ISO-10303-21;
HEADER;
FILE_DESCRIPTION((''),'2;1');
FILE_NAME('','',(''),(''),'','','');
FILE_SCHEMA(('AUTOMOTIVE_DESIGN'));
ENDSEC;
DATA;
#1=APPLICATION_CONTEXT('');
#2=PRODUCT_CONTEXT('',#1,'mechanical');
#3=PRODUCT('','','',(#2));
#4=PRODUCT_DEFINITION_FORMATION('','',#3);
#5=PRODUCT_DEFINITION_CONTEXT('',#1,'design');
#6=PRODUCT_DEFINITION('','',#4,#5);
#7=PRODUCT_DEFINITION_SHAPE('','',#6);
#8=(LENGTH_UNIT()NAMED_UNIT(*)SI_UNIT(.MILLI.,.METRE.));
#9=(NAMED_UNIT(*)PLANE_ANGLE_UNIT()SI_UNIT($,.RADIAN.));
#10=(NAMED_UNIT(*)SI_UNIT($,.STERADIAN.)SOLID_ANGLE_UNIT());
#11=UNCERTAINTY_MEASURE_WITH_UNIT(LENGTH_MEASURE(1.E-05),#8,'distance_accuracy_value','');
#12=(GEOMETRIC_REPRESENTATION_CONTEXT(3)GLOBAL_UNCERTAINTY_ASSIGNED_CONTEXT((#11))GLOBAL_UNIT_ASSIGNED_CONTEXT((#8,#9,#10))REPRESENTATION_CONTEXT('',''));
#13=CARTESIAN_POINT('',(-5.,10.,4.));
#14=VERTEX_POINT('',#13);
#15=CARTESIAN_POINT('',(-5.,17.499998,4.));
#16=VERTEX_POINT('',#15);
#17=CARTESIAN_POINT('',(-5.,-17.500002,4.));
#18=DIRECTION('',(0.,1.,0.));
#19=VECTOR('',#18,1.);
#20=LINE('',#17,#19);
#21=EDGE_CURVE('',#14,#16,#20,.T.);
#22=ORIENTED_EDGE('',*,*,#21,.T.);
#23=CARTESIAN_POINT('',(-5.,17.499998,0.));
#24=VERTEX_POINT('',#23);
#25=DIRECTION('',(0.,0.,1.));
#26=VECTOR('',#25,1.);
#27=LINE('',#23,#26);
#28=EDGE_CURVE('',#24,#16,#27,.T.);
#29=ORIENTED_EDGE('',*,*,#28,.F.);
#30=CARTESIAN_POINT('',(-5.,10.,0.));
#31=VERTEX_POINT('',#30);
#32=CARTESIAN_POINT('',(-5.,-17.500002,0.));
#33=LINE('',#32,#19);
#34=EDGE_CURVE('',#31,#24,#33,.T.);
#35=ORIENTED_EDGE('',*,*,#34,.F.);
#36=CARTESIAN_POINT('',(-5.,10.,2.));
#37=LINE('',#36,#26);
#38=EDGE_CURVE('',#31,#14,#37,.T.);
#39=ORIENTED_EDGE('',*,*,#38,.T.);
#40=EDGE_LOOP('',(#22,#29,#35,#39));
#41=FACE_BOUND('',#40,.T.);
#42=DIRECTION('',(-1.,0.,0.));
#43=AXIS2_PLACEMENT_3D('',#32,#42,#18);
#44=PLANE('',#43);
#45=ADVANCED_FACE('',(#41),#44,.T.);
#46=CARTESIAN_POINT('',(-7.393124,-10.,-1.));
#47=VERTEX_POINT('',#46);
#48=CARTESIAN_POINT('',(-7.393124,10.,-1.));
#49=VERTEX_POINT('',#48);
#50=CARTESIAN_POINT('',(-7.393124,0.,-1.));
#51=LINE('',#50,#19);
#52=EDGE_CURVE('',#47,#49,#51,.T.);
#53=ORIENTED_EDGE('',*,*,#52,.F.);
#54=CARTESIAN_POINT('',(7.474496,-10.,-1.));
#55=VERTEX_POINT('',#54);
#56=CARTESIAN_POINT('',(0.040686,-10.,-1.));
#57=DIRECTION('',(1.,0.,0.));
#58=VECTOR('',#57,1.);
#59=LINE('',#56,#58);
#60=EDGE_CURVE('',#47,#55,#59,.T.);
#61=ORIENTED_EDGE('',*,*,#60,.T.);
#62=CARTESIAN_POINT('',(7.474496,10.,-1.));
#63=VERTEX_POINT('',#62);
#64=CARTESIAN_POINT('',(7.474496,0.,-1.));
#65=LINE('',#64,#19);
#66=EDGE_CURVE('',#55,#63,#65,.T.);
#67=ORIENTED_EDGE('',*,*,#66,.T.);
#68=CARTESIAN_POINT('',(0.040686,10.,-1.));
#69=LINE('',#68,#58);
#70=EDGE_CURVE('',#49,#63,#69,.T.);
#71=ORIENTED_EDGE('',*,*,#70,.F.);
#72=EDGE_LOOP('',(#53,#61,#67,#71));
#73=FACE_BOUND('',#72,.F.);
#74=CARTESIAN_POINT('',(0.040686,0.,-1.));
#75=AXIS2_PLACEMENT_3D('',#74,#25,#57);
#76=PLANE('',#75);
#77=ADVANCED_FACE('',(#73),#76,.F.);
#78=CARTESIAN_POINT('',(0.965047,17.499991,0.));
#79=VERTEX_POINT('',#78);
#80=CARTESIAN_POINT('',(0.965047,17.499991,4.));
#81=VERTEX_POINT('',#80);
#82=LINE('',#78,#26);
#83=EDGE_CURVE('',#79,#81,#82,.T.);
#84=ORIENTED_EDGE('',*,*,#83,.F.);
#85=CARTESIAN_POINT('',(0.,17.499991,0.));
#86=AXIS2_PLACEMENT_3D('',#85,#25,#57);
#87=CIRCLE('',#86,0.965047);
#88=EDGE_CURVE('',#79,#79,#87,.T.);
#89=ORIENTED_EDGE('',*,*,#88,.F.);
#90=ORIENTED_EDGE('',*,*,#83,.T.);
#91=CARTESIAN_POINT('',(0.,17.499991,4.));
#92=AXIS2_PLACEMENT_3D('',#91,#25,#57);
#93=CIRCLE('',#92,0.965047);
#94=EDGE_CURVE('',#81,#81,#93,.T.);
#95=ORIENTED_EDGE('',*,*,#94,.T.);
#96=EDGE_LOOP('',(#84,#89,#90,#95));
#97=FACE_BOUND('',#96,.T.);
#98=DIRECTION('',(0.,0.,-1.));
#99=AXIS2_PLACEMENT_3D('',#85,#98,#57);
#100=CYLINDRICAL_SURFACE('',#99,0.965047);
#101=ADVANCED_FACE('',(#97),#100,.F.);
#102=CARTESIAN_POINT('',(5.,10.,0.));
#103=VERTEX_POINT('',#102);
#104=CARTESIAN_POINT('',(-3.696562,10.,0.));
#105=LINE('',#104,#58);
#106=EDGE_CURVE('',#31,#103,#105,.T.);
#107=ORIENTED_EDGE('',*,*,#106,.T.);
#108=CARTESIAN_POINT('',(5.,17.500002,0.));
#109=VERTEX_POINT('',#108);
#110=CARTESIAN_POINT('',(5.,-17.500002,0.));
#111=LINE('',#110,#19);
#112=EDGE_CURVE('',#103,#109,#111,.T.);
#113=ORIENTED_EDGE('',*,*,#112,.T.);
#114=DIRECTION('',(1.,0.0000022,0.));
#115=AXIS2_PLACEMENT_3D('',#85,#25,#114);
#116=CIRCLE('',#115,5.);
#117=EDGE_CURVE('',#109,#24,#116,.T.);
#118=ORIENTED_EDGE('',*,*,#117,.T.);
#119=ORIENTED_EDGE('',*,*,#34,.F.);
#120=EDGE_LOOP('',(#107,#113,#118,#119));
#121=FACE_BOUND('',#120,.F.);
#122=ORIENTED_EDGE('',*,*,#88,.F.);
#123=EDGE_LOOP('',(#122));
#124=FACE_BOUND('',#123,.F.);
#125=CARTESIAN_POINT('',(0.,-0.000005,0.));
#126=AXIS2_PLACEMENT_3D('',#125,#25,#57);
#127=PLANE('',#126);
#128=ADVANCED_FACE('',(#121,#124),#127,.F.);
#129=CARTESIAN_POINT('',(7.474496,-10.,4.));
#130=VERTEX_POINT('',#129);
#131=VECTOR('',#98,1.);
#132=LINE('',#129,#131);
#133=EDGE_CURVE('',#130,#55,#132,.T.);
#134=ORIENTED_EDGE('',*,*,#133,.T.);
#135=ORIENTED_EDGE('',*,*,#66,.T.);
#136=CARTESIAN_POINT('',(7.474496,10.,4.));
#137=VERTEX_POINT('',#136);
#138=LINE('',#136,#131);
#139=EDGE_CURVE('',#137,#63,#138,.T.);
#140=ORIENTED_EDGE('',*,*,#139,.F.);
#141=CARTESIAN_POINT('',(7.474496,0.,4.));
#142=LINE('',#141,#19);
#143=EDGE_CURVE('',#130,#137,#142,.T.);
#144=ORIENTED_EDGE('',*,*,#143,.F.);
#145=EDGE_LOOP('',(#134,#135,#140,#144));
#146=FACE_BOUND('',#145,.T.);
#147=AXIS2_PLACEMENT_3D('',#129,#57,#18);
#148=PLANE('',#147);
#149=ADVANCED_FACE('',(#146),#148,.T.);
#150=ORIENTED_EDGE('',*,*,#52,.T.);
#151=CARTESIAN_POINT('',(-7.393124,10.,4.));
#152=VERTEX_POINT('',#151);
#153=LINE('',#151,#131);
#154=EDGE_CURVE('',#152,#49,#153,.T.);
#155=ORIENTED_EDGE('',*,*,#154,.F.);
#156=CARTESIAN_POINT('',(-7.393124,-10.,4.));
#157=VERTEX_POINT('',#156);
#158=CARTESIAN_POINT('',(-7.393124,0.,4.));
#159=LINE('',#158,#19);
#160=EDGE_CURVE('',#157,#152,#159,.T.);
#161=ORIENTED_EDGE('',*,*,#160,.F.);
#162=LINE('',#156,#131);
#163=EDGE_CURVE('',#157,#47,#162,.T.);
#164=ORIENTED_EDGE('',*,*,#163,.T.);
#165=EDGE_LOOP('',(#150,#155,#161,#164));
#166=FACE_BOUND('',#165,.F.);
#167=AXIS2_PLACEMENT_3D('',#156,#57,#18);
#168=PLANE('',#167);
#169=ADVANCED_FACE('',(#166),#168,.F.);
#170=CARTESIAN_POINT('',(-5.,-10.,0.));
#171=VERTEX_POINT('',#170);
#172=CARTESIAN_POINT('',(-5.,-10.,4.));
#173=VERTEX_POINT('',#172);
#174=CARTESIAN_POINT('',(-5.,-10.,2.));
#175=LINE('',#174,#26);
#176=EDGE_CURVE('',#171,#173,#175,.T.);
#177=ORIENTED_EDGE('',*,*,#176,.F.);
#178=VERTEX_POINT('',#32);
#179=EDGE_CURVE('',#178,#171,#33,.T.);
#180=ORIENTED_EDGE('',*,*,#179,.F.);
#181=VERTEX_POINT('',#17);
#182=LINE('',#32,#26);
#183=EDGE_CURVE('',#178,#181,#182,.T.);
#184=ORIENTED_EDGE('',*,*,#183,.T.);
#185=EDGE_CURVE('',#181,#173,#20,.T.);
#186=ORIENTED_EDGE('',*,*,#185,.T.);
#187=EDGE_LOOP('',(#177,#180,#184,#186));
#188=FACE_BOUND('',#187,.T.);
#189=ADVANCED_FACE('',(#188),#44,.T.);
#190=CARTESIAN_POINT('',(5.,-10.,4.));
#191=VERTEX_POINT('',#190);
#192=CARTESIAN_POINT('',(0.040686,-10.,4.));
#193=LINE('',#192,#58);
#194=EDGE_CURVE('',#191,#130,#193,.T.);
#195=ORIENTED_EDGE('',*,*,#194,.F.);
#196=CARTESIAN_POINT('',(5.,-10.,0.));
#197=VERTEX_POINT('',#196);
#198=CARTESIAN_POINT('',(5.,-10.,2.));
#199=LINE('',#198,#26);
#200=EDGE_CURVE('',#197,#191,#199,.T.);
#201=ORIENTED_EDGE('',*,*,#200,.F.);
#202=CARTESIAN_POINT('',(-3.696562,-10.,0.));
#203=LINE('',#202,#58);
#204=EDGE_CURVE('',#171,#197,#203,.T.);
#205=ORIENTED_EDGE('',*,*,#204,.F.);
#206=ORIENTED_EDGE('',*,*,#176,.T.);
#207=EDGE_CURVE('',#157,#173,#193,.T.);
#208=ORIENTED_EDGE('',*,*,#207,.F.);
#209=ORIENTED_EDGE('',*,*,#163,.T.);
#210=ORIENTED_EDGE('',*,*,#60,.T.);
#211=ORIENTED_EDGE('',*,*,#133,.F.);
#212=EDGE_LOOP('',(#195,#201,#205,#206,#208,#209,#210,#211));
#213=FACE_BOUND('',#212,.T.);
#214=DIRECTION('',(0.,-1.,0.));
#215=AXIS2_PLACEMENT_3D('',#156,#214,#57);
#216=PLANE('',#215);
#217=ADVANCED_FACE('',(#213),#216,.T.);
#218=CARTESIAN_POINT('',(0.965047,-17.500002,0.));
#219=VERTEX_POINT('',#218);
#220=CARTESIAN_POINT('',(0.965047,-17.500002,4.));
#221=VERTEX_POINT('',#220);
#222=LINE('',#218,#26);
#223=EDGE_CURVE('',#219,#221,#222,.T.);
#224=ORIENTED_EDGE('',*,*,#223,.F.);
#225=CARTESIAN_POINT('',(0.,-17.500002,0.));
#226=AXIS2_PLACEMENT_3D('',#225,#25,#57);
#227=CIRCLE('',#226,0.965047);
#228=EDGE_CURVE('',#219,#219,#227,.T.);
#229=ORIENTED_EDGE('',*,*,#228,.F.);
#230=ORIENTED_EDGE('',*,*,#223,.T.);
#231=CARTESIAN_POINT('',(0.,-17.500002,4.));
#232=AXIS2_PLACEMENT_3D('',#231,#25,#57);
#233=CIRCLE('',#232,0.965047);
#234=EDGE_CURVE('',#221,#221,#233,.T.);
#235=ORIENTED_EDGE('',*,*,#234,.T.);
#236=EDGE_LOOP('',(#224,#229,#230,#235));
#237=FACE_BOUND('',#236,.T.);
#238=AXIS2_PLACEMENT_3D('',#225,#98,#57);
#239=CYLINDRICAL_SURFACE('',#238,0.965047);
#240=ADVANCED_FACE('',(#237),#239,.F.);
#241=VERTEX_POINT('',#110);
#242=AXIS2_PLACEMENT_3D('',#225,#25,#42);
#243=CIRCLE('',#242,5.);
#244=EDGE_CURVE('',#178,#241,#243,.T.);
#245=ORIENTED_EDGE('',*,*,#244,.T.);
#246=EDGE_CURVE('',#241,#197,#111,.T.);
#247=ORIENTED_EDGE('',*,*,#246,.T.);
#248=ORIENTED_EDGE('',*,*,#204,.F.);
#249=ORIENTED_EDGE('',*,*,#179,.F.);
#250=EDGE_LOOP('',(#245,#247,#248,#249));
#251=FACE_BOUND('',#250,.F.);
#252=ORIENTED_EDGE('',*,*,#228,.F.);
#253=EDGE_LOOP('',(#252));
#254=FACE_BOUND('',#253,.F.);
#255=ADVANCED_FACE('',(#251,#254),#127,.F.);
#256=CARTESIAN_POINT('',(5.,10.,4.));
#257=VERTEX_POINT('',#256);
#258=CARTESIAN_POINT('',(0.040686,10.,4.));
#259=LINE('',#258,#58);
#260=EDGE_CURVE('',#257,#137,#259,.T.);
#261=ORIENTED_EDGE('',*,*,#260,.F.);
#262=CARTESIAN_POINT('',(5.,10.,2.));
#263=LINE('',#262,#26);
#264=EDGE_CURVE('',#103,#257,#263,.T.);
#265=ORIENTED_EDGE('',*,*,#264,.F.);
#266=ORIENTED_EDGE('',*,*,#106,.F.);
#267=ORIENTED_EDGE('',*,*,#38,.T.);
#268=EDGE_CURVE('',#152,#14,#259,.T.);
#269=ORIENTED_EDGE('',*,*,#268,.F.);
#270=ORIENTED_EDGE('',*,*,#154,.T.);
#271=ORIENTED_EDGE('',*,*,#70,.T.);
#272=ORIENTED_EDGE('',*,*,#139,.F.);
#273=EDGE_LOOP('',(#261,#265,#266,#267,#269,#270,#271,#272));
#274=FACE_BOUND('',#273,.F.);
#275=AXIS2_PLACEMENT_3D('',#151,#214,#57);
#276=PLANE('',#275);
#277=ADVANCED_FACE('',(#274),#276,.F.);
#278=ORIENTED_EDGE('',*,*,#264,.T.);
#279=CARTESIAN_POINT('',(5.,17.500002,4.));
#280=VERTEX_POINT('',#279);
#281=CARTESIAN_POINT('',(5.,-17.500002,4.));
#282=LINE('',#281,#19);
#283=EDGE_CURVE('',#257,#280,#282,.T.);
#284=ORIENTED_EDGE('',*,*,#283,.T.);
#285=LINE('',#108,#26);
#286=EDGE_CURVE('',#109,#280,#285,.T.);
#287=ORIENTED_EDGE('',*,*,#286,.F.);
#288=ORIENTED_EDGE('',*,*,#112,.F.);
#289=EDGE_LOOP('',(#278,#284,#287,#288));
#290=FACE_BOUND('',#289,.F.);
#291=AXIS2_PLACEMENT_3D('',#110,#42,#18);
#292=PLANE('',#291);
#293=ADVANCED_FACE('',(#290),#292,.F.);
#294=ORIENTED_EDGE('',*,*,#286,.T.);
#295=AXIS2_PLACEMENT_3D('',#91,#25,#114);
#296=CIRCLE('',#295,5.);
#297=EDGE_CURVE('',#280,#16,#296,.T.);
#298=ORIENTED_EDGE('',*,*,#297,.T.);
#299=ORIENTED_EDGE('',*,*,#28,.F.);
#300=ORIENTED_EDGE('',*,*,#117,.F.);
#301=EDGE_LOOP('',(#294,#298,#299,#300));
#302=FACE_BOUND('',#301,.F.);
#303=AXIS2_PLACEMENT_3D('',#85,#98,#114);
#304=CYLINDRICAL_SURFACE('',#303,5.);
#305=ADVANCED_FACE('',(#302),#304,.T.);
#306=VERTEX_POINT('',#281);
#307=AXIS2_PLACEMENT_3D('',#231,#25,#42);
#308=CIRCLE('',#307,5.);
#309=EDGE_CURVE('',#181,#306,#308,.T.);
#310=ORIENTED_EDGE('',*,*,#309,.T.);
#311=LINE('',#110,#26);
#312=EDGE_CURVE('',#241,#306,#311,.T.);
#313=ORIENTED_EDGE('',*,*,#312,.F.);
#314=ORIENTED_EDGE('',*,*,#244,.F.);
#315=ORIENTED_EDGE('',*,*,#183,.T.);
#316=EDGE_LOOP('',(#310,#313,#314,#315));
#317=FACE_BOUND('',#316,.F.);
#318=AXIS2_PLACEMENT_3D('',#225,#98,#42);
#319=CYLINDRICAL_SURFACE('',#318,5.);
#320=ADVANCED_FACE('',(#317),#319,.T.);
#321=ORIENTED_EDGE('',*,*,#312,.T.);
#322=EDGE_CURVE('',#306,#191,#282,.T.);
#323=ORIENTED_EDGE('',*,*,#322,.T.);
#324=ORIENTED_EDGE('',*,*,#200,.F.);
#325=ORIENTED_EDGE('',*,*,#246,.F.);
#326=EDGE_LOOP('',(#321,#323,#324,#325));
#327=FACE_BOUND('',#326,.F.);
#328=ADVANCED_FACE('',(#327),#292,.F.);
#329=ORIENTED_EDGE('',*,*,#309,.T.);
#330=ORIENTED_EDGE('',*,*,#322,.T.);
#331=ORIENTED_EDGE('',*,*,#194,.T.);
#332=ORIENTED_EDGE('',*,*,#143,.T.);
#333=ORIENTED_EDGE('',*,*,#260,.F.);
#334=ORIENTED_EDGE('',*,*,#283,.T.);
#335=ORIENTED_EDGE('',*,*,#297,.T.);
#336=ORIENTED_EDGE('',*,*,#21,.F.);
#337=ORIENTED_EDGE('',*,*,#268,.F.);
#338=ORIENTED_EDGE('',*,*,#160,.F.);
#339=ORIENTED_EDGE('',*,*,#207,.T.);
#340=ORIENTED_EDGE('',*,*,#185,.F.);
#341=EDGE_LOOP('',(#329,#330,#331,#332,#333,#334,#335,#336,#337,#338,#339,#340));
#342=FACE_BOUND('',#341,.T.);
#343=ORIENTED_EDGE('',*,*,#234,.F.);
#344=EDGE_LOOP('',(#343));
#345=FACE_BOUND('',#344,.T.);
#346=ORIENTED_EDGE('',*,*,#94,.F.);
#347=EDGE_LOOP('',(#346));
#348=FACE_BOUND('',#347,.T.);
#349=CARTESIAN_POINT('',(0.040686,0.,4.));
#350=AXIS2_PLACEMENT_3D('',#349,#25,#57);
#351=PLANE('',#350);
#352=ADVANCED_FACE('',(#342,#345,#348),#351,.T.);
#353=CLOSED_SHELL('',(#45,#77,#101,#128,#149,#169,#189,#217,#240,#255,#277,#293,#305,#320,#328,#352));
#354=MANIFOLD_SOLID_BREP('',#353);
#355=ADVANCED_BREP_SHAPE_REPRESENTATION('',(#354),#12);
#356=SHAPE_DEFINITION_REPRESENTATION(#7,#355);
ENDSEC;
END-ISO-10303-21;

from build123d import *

# Parameters (mm, degrees)
SKETCH001_R  = 0.965047
PAD_DEPTH    = 4
SKETCH_W     = 14.86762
SKETCH_H     = 20
PAD001_DEPTH = 5


with BuildPart() as part:
    # Sketch001 → Pad (new body)
    with BuildSketch(Plane.XY):
        with BuildLine():
            ThreePointArc((-5, -17.500002), (0, -22.500002), (5, -17.500002))
            Line((5, -17.500002), (5, 0))
            Line((5, 0), (5, 17.500002))
            ThreePointArc((5, 17.500002), (-2e-06, 22.499991), (-5, 17.499998))
            Line((-5, -17.500002), (-5, 17.499998))
        make_face()
        with Locations((0, 17.499991)):
            Circle(SKETCH001_R, mode=Mode.SUBTRACT)
        with Locations((0, -17.500002)):
            Circle(SKETCH001_R, mode=Mode.SUBTRACT)
    extrude(amount=PAD_DEPTH)

    # Sketch (on Face7 of Pad) → Pad001 (join)
    with BuildSketch(Plane.XY.offset(4)):
        with Locations((0.040686, 0)):
            Rectangle(SKETCH_W, SKETCH_H)
    extrude(amount=-PAD001_DEPTH)


solid = part.part
